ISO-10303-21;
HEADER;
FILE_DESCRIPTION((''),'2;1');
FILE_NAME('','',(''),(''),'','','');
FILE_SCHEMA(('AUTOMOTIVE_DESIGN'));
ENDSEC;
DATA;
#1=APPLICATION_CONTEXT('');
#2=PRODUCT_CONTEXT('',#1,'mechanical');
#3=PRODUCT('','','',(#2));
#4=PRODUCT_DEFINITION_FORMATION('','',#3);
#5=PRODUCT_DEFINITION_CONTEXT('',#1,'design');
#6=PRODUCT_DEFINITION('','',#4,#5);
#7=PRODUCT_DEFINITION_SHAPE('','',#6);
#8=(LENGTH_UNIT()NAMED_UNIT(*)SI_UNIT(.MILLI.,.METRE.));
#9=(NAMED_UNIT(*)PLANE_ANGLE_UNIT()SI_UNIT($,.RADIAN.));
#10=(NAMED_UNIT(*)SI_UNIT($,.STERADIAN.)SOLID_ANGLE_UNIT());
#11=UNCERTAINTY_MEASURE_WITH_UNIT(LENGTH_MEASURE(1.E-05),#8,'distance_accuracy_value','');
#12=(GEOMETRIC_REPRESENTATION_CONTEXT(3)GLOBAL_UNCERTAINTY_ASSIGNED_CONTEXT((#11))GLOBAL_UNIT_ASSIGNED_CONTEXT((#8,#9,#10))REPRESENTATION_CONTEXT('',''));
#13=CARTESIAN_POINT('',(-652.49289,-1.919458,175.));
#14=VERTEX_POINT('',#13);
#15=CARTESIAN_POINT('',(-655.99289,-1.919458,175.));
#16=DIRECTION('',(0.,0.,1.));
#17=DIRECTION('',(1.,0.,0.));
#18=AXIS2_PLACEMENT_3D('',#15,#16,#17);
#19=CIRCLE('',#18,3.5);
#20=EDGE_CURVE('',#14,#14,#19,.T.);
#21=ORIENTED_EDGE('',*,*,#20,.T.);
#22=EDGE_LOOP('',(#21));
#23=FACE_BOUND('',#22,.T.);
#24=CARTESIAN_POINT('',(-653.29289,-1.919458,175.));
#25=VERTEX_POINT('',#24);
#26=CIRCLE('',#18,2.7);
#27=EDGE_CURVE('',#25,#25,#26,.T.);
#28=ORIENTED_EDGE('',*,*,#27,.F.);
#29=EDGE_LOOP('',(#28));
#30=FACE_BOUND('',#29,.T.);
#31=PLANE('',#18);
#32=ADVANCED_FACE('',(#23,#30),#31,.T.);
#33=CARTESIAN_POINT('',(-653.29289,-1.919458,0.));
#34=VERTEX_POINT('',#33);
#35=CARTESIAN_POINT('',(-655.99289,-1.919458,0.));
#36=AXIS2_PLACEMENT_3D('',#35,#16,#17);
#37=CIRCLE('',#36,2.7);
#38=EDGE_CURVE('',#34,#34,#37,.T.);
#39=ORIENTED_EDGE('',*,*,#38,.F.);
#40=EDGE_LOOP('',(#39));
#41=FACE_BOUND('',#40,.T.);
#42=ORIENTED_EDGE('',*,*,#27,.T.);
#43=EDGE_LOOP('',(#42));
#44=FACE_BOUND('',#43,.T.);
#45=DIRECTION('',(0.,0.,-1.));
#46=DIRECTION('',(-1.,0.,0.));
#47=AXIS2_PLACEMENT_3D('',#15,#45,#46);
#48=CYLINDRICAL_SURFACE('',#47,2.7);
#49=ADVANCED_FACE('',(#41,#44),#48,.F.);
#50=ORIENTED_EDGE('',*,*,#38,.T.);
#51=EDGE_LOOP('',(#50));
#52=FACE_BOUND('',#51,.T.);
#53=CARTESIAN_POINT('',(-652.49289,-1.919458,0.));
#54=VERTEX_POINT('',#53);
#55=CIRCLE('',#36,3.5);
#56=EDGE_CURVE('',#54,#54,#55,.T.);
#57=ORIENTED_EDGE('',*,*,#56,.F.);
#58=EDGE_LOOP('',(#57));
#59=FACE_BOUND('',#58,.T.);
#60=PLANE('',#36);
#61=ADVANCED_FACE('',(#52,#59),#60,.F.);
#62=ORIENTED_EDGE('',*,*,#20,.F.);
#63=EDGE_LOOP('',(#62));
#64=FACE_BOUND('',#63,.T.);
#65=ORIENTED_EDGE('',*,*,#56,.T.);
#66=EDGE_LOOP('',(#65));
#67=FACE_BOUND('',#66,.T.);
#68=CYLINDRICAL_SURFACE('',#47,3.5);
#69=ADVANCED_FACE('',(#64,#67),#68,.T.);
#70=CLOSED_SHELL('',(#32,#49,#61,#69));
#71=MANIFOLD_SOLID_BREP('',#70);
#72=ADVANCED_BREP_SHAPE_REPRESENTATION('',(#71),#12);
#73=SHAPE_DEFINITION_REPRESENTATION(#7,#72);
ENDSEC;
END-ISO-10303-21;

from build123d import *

# Parameters (mm, degrees)
SKETCH1_R           = 3.5
SKETCH1_R_2         = 2.7
BOSS_EXTRUDE1_DEPTH = 175


with BuildPart() as part:
    # Sketch1 → Boss-Extrude1 (new body)
    with BuildSketch(Plane.XY):
        with Locations((-655.992889877, -1.919458309)):
            Circle(SKETCH1_R)
        with Locations((-655.992889877, -1.919458309)):
            Circle(SKETCH1_R_2, mode=Mode.SUBTRACT)
    extrude(amount=BOSS_EXTRUDE1_DEPTH)


solid = part.part
